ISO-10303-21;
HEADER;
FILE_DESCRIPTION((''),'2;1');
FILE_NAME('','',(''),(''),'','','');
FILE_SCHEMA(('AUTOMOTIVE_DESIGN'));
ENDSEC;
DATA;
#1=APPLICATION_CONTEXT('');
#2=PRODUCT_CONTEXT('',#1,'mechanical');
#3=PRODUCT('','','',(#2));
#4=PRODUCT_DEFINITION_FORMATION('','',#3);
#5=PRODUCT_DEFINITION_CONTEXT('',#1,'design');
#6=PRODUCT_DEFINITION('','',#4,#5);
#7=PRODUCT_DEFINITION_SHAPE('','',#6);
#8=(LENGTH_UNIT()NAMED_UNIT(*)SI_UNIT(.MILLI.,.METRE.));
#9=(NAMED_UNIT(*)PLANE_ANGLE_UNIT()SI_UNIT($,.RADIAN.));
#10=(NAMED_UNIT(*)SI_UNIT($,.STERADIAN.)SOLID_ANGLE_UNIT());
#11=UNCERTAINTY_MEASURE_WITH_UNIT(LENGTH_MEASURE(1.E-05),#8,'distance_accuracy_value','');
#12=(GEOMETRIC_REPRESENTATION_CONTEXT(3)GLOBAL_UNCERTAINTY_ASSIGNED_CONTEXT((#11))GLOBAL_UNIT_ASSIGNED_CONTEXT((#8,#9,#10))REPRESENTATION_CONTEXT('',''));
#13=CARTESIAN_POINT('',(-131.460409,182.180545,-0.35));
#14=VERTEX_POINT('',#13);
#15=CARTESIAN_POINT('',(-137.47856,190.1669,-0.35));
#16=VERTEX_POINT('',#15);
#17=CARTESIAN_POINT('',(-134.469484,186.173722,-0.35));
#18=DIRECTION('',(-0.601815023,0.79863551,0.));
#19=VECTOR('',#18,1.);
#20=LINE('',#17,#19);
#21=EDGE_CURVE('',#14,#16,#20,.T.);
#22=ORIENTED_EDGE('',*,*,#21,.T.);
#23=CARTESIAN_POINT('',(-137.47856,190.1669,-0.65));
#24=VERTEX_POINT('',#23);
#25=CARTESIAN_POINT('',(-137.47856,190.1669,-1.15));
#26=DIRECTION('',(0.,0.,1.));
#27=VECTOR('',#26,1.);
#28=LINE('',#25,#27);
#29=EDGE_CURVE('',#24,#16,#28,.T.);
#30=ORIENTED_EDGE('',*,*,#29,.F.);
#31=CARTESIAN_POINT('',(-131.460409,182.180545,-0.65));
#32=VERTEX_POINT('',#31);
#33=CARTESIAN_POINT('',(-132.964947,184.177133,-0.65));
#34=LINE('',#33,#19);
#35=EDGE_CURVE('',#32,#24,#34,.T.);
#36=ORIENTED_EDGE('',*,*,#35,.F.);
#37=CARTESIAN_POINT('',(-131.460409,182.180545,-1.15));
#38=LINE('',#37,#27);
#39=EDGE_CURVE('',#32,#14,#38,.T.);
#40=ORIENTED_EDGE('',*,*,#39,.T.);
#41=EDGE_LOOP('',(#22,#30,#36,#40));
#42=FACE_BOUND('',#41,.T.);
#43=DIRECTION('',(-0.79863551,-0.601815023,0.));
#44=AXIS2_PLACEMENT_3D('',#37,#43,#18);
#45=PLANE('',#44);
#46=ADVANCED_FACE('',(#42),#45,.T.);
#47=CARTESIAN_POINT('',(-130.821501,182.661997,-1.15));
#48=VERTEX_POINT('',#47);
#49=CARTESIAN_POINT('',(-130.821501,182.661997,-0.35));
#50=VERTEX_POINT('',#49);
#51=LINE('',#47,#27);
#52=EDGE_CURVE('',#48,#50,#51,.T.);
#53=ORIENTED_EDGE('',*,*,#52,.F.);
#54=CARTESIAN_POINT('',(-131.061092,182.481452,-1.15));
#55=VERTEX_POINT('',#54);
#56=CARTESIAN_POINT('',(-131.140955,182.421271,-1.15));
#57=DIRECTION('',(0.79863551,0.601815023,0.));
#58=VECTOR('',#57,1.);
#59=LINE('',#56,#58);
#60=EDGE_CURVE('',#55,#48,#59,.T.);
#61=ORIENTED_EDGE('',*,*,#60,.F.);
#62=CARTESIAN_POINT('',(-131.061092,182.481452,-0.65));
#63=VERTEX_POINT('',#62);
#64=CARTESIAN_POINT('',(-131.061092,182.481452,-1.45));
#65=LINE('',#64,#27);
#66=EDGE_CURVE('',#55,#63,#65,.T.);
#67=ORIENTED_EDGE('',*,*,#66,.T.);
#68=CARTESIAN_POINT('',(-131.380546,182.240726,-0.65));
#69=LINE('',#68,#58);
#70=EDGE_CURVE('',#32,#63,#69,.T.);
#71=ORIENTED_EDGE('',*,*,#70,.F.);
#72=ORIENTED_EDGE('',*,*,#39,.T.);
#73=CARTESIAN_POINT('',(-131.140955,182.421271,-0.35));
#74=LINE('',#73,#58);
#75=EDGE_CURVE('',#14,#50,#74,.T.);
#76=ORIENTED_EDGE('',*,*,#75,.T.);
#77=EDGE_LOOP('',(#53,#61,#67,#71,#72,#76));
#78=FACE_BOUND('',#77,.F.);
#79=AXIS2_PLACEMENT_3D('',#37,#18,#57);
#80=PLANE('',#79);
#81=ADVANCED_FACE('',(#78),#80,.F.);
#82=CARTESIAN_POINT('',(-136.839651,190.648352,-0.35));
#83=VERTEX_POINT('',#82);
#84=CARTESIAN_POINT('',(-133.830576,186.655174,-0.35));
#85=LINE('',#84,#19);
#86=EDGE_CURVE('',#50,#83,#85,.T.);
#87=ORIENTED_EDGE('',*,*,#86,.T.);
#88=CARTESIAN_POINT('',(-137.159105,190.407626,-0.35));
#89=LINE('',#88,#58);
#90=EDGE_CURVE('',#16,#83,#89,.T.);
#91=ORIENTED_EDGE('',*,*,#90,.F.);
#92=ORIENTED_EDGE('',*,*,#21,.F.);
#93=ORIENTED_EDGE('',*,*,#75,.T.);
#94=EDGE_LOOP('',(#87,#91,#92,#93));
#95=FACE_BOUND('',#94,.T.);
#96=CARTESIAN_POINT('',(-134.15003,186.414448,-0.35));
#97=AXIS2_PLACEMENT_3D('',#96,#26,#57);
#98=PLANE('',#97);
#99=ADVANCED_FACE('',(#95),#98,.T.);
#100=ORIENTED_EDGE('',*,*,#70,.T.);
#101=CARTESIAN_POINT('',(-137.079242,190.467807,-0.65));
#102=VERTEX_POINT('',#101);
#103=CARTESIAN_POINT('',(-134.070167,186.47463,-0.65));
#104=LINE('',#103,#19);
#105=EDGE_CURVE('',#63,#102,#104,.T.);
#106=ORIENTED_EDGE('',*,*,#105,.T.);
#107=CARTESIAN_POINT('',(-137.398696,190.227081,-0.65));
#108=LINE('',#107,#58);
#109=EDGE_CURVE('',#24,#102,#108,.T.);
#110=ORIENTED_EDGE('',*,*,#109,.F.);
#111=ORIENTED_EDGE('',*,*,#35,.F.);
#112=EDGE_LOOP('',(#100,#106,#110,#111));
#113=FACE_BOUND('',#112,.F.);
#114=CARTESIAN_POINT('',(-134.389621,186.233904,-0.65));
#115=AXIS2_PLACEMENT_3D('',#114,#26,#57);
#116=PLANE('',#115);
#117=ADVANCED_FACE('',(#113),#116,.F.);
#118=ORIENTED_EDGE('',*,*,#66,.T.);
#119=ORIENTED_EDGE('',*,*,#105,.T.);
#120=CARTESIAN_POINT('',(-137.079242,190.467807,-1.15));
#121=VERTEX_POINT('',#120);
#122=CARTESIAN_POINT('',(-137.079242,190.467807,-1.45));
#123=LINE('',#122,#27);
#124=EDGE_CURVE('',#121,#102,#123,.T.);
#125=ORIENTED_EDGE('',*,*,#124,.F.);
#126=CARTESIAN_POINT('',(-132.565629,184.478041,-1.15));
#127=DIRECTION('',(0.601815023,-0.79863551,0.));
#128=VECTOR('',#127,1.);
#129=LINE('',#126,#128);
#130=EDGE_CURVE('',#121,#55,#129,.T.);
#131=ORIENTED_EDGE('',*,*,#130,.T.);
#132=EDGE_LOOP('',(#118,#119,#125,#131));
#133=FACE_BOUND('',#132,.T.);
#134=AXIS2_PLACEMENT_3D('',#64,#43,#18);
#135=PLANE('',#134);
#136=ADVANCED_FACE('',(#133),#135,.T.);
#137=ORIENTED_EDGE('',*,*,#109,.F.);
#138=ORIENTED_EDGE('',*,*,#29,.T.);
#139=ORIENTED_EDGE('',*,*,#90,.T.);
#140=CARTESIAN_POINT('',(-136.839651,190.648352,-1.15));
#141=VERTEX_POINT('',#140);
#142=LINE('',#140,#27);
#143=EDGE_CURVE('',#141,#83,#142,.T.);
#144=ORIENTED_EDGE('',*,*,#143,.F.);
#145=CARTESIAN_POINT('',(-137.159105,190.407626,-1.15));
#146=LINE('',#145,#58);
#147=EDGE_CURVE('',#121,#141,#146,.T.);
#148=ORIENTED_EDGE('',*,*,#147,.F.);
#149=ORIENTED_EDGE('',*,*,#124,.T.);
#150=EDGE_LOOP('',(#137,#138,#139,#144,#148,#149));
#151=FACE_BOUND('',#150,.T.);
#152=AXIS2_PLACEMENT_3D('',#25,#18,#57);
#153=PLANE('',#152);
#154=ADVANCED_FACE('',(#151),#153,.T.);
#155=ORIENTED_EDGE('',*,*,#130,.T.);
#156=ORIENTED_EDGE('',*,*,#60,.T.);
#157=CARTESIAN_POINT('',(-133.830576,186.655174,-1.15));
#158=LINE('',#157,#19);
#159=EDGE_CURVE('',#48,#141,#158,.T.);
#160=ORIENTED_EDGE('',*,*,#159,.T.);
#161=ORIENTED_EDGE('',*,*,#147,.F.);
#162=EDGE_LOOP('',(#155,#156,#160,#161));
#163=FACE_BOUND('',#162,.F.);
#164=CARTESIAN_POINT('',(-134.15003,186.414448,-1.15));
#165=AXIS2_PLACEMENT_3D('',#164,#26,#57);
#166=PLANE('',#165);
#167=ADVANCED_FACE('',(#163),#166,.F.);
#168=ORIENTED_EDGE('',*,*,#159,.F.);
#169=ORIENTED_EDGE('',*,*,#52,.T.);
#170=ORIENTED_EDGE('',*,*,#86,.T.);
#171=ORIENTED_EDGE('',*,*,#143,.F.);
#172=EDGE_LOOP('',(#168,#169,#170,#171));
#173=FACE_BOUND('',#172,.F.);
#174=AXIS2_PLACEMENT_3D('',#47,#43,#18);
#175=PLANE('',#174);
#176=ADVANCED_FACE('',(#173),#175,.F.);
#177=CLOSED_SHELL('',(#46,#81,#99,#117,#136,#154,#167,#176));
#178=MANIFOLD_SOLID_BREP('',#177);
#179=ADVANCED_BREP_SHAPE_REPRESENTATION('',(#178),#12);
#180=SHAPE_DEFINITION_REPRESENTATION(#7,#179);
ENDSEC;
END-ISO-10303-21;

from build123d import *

# Parameters (mm, degrees)
BOX139_W               = 0.8
BOX139_H               = 10
BOX139_DEPTH           = 0.8
BOX140_W               = 0.8
BOX140_H               = 10
BOX140_DEPTH           = 0.8
CUT073_PLACEMENT_ANGLE = 37


with BuildPart() as cubo139:
    # Box139 → Box139 (new body)
    with BuildSketch(Plane.XY):
        with Locations((0.4, 5)):
            Rectangle(BOX139_W, BOX139_H)
    extrude(amount=BOX139_DEPTH)


with BuildPart() as perfil_l_2da_cara015:
    # Box140 → Box140 (new body)
    with BuildSketch(Plane(origin=(0.3, 0, 0.3), x_dir=(1, 0, 0), z_dir=(0, 0, 1))):
        with Locations((0.4, 5)):
            Rectangle(BOX140_W, BOX140_H)
    extrude(amount=BOX140_DEPTH)

    # Cut073: cut Cubo139
    add(cubo139.part, mode=Mode.SUBTRACT)


with BuildPart() as perfil_l_2da_cara015_1:
    # Cut073 placement: moved
    add(perfil_l_2da_cara015.part.moved(Location((-131.7, 182, -1.45))).rotate(Axis((-131.7, 182, -1.45), (0, 0, 1)), CUT073_PLACEMENT_ANGLE))


solid = perfil_l_2da_cara015_1.part
